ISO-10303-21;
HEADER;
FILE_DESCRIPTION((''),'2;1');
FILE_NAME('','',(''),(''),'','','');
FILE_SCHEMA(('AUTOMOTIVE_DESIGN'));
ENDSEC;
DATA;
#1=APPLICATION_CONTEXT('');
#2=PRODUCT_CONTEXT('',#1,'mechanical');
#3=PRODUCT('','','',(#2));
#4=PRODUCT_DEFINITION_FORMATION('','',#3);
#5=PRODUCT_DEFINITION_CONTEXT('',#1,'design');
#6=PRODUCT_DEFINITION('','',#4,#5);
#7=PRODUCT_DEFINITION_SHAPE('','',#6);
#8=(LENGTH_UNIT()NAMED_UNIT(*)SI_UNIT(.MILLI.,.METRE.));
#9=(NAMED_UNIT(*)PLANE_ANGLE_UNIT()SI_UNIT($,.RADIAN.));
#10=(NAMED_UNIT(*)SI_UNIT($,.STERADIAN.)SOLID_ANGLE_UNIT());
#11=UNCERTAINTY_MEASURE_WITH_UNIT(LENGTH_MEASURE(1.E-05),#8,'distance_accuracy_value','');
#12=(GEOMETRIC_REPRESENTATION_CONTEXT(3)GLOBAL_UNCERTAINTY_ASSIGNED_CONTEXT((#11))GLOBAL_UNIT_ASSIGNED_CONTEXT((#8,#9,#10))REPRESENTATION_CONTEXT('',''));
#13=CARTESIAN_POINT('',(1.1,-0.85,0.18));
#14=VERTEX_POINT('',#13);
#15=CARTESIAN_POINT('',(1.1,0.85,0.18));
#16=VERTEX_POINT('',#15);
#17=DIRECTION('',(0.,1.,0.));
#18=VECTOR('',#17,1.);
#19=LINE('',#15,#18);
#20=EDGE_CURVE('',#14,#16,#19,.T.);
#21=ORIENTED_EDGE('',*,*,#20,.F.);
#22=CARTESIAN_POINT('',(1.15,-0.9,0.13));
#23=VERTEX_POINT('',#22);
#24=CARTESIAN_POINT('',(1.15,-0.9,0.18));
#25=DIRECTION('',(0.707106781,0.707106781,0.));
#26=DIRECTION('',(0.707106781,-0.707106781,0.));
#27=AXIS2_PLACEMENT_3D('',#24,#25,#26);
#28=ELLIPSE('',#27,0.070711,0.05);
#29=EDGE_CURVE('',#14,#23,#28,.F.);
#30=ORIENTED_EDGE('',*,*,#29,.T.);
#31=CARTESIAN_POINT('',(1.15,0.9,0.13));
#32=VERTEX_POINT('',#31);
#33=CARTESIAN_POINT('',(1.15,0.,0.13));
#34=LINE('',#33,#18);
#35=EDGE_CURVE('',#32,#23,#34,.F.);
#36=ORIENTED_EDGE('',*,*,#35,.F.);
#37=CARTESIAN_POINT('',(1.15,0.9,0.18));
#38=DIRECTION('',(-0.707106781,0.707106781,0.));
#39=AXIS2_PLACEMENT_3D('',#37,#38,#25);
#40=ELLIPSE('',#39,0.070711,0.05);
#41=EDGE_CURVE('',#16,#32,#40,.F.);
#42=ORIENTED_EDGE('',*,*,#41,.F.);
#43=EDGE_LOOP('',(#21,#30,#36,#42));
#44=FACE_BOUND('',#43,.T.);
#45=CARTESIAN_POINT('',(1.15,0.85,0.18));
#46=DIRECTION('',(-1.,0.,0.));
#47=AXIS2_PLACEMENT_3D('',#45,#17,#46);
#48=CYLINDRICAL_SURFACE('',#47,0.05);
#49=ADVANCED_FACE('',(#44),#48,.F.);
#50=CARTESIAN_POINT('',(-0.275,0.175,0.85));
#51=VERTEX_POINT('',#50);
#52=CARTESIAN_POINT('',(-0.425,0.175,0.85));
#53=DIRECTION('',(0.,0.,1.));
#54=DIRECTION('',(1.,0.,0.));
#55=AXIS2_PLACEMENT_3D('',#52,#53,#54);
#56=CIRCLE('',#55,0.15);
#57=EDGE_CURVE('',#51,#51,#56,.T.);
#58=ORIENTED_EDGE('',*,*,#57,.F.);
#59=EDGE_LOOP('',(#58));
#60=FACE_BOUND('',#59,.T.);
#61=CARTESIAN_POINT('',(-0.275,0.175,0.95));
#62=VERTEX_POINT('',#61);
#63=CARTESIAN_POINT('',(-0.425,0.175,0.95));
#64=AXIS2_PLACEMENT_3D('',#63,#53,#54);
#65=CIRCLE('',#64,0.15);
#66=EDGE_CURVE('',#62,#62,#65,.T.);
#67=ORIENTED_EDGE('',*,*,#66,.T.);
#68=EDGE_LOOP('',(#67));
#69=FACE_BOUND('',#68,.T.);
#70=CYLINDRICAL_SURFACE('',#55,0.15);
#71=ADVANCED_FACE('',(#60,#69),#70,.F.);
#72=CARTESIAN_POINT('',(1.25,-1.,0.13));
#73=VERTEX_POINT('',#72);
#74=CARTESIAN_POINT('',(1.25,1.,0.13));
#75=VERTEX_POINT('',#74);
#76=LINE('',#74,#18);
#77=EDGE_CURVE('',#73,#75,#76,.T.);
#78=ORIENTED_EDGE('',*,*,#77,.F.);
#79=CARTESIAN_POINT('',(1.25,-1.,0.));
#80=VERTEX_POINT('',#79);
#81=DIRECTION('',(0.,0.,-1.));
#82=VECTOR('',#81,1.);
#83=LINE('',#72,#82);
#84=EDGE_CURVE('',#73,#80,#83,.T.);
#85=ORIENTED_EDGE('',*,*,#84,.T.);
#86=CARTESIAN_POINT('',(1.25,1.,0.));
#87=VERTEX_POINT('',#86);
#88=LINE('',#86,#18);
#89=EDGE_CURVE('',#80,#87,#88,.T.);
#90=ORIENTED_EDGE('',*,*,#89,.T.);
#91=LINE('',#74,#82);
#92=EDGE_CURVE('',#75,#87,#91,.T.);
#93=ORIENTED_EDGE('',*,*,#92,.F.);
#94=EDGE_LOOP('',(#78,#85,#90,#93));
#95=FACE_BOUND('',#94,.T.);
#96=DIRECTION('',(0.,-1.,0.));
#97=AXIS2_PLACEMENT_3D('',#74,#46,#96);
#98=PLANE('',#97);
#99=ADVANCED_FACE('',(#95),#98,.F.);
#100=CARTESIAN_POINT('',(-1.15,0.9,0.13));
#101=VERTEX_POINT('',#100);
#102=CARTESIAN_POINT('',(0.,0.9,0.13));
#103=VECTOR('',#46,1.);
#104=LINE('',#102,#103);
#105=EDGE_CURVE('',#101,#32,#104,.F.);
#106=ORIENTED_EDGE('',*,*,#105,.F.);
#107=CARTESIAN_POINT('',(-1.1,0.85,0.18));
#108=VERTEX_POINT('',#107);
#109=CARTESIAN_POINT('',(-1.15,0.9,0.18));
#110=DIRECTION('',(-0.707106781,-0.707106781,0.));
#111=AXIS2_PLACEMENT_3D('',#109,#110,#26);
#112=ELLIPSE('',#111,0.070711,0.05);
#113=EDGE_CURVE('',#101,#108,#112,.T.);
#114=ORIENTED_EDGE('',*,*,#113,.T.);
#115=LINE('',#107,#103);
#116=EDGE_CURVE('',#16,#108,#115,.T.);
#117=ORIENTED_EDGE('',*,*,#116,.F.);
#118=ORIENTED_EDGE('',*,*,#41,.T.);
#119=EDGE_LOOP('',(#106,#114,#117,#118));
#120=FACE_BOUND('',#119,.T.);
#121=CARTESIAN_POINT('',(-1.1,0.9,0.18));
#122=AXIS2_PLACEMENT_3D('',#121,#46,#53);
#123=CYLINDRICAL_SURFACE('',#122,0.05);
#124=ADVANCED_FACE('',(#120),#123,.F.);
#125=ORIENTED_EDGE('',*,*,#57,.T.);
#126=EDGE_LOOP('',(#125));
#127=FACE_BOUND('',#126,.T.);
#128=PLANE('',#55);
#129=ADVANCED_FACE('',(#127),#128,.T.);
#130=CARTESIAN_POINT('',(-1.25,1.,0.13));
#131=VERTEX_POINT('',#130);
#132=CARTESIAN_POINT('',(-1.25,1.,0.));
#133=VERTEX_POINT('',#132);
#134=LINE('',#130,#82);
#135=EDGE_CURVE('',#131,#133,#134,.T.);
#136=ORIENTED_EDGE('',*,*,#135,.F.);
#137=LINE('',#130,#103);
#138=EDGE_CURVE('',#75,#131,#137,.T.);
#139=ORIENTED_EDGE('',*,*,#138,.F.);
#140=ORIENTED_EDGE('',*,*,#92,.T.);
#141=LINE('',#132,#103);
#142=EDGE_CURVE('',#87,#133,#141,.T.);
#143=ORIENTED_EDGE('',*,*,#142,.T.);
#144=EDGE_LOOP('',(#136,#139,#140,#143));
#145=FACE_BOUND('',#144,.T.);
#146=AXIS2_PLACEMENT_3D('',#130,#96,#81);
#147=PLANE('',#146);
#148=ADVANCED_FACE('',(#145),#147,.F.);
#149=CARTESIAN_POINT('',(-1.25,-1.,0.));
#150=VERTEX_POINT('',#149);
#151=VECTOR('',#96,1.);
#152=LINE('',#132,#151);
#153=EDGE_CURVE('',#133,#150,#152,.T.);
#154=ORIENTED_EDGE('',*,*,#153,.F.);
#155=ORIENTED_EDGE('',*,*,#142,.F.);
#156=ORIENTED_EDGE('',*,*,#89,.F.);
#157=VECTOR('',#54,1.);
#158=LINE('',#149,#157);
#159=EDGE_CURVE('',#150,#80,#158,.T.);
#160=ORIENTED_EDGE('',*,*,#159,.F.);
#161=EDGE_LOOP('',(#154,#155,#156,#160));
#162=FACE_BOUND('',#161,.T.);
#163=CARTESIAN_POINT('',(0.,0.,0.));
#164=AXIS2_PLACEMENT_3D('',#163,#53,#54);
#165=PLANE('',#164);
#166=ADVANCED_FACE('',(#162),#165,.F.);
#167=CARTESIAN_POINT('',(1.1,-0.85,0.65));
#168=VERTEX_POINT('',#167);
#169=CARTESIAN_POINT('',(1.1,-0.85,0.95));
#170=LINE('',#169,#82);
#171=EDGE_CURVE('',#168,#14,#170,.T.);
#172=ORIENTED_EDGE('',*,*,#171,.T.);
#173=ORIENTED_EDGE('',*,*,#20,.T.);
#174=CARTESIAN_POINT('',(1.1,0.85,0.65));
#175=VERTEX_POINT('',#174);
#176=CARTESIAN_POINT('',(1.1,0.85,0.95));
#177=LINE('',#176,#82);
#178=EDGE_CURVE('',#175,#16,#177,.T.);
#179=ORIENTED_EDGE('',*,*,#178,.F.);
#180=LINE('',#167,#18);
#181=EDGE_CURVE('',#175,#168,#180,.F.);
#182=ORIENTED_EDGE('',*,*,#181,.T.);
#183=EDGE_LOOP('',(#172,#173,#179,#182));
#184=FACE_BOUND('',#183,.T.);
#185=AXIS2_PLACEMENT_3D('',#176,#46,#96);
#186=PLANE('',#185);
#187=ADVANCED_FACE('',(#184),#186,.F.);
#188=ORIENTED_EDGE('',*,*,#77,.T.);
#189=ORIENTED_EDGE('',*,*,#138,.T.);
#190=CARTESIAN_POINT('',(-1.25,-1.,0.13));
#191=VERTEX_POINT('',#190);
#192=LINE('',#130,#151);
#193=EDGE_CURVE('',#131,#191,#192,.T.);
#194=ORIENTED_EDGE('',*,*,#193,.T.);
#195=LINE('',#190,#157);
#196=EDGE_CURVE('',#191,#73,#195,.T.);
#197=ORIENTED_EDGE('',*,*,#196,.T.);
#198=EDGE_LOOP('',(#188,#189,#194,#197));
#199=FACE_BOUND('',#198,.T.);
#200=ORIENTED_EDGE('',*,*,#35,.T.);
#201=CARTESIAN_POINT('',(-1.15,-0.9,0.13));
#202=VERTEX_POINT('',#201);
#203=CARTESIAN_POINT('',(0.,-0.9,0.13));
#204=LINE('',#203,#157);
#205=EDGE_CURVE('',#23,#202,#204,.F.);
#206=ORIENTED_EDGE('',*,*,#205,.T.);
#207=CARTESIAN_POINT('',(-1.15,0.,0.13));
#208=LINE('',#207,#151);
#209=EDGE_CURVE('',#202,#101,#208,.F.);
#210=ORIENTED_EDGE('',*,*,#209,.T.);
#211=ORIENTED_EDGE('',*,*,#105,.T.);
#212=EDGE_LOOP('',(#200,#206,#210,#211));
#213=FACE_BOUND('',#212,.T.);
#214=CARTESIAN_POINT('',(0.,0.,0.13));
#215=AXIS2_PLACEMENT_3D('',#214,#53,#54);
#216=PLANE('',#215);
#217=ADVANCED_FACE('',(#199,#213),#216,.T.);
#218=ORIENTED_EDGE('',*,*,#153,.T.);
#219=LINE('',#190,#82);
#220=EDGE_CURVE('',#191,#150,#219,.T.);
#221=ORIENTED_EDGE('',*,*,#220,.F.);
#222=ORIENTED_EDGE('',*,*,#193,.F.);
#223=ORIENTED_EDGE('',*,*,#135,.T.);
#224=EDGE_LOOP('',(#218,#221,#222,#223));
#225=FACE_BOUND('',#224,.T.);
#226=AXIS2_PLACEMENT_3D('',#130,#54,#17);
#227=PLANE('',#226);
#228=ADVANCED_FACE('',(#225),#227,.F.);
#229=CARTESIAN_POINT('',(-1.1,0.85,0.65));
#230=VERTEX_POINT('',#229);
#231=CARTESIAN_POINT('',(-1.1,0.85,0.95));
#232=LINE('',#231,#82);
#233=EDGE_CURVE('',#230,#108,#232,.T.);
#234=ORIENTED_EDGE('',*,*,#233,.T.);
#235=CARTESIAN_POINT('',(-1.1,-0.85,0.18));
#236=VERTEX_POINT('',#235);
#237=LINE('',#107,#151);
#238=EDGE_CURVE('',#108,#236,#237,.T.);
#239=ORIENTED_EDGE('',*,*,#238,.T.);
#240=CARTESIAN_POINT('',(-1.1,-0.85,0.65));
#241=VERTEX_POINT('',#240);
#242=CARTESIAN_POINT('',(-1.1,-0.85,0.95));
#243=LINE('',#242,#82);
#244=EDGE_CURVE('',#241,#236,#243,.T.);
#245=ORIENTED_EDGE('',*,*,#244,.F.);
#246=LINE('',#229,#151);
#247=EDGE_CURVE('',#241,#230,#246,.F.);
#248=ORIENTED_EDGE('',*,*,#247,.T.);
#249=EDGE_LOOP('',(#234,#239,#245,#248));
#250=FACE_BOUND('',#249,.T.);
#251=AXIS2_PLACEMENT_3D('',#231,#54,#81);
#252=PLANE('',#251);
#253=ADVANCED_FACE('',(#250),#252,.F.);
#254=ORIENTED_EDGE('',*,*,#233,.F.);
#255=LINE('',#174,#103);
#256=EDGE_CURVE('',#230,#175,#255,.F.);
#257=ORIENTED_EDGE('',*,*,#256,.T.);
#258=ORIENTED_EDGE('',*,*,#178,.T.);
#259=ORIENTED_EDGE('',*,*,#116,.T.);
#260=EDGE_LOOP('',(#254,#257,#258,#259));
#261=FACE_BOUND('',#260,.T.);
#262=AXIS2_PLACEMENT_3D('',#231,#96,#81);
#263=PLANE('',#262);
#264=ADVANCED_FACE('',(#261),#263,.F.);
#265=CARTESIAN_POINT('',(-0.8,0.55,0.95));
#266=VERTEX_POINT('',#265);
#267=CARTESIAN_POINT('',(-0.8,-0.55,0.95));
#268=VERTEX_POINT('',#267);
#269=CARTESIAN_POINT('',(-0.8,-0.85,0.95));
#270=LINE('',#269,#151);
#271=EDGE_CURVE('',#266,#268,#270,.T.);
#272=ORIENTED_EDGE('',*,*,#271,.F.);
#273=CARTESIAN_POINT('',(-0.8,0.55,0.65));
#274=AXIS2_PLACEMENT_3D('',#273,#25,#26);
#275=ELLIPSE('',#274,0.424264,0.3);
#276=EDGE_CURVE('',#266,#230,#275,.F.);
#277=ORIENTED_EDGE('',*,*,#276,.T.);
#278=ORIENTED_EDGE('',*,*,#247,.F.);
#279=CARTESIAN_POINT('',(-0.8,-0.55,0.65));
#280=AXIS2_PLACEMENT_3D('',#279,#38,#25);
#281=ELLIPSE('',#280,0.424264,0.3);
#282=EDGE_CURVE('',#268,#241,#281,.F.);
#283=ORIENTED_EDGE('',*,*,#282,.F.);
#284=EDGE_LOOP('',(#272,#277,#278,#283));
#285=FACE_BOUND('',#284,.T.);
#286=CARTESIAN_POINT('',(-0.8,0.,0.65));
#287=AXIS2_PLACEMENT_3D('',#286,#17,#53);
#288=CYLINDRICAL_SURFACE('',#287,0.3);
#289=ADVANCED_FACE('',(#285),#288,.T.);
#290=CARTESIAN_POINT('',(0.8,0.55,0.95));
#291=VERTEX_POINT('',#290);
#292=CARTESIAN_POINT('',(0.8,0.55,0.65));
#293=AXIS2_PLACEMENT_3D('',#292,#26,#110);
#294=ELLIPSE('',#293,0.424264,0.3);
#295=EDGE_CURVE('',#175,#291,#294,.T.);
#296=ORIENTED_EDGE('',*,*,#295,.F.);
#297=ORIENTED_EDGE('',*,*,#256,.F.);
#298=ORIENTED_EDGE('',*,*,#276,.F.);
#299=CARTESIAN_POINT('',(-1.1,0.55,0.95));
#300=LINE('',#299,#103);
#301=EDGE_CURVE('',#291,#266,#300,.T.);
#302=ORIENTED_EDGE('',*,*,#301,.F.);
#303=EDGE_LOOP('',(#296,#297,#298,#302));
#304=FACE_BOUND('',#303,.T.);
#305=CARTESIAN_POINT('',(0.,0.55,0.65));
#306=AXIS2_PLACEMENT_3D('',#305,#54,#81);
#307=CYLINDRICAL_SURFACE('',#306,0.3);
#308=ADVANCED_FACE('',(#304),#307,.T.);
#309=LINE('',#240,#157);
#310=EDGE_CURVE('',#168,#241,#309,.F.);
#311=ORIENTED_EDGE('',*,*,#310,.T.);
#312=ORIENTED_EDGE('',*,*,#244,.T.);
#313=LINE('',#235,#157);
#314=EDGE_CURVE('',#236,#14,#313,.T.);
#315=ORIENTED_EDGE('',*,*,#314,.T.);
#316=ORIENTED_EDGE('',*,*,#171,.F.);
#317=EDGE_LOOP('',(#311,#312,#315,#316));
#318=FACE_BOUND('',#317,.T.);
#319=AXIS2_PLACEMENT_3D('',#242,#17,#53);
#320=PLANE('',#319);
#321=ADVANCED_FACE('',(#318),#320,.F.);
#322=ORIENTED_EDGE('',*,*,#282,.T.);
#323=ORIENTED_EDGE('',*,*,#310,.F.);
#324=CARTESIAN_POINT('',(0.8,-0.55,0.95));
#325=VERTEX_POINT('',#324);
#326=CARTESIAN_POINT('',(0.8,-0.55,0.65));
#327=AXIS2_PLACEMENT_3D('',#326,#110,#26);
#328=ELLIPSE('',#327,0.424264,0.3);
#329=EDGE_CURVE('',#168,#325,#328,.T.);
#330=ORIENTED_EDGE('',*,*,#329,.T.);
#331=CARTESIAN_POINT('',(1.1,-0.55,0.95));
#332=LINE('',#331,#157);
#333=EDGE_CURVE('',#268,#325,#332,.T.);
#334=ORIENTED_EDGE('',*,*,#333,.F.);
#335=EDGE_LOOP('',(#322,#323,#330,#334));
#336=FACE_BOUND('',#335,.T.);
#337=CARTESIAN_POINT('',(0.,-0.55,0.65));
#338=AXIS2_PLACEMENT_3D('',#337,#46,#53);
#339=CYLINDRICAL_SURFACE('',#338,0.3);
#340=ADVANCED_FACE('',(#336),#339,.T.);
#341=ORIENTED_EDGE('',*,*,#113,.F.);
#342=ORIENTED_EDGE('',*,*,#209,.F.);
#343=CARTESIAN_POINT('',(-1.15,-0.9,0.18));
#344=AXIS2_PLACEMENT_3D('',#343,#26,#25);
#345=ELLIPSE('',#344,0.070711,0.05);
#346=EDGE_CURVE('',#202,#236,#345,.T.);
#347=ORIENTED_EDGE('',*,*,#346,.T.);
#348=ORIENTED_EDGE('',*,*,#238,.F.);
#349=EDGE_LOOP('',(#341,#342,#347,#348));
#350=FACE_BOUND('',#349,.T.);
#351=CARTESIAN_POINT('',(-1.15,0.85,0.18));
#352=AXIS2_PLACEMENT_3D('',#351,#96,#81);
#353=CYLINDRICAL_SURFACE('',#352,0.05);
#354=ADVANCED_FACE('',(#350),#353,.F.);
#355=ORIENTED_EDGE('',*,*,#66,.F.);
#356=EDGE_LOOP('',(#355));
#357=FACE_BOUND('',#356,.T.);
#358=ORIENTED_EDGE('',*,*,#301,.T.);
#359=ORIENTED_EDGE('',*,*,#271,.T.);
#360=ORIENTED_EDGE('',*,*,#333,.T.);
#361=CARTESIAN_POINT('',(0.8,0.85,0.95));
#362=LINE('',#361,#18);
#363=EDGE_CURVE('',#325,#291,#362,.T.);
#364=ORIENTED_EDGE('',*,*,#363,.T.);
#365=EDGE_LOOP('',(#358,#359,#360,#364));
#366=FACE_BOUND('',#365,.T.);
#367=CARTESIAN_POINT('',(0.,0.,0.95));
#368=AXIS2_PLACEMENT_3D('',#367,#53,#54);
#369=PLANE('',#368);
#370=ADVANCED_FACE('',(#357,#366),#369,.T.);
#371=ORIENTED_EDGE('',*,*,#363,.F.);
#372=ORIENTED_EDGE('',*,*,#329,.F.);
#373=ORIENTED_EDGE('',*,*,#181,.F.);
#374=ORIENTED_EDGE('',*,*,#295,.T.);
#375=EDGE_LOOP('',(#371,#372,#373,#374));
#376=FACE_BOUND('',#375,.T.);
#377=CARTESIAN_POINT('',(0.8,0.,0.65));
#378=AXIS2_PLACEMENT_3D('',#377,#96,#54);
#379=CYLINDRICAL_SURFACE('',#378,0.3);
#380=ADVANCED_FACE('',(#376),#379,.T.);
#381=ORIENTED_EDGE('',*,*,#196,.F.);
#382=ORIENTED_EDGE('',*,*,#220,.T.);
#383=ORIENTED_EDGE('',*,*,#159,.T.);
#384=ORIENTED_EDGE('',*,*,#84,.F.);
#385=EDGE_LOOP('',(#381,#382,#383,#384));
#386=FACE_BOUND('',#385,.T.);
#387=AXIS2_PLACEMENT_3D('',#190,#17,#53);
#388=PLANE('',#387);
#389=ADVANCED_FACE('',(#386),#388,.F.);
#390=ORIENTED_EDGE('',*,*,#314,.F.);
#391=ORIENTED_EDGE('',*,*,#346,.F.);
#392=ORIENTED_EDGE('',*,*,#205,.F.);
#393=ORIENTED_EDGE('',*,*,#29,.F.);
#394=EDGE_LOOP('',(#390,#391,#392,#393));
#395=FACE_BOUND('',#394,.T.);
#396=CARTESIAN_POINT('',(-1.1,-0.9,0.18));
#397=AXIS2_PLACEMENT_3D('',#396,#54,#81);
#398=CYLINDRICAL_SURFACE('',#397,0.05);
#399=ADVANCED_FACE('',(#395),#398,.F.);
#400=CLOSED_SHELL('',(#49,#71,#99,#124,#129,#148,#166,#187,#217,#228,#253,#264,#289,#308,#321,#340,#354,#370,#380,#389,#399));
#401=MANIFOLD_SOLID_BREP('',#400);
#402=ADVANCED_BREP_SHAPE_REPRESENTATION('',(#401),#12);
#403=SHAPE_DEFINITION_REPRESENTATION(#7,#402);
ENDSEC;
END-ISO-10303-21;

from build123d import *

# Parameters (mm, degrees)
ESQUISSE1_W             = 2.5
ESQUISSE1_H             = 2
BOSS_EXTRU_1_DEPTH      = 0.13
ESQUISSE2_W             = 2.2
ESQUISSE2_H             = 1.7
BOSS_EXTRU_2_DEPTH      = 0.82
CONG_1_R                = 0.3
ESQUISSE3_R             = 0.15
ENL_V_MAT_EXTRU_1_DEPTH = 0.1
CONG_2_R                = 0.05


with BuildPart() as part:
    # Esquisse1 → Boss.-Extru.1 (new body)
    with BuildSketch(Plane.XY):
        Rectangle(ESQUISSE1_W, ESQUISSE1_H)
    extrude(amount=BOSS_EXTRU_1_DEPTH)

    # Esquisse2 → Boss.-Extru.2 (add)
    with BuildSketch(Plane.XY.offset(0.13)):
        Rectangle(ESQUISSE2_W, ESQUISSE2_H)
    extrude(amount=BOSS_EXTRU_2_DEPTH)

    # Congé1
    cong_1_edges = [part.edges().sort_by_distance(p)[0] for p in [
        (1.1, 0, 0.95),
        (0, 0.85, 0.95),
        (-1.1, 0, 0.95),
        (0, -0.85, 0.95),
    ]]
    fillet(cong_1_edges, radius=CONG_1_R)

    # Esquisse3 → Enlèv. mat.-Extru.1 (cut)
    with BuildSketch(Plane.XY.offset(0.95)):
        with Locations((-0.425, 0.175)):
            Circle(ESQUISSE3_R)
    extrude(amount=-ENL_V_MAT_EXTRU_1_DEPTH, mode=Mode.SUBTRACT)

    # Congé2
    cong_2_edges = [part.edges().sort_by_distance(p)[0] for p in [
        (1.1, 0, 0.13),
        (0, 0.85, 0.13),
        (-1.1, 0, 0.13),
        (0, -0.85, 0.13),
    ]]
    fillet(cong_2_edges, radius=CONG_2_R)


solid = part.part
